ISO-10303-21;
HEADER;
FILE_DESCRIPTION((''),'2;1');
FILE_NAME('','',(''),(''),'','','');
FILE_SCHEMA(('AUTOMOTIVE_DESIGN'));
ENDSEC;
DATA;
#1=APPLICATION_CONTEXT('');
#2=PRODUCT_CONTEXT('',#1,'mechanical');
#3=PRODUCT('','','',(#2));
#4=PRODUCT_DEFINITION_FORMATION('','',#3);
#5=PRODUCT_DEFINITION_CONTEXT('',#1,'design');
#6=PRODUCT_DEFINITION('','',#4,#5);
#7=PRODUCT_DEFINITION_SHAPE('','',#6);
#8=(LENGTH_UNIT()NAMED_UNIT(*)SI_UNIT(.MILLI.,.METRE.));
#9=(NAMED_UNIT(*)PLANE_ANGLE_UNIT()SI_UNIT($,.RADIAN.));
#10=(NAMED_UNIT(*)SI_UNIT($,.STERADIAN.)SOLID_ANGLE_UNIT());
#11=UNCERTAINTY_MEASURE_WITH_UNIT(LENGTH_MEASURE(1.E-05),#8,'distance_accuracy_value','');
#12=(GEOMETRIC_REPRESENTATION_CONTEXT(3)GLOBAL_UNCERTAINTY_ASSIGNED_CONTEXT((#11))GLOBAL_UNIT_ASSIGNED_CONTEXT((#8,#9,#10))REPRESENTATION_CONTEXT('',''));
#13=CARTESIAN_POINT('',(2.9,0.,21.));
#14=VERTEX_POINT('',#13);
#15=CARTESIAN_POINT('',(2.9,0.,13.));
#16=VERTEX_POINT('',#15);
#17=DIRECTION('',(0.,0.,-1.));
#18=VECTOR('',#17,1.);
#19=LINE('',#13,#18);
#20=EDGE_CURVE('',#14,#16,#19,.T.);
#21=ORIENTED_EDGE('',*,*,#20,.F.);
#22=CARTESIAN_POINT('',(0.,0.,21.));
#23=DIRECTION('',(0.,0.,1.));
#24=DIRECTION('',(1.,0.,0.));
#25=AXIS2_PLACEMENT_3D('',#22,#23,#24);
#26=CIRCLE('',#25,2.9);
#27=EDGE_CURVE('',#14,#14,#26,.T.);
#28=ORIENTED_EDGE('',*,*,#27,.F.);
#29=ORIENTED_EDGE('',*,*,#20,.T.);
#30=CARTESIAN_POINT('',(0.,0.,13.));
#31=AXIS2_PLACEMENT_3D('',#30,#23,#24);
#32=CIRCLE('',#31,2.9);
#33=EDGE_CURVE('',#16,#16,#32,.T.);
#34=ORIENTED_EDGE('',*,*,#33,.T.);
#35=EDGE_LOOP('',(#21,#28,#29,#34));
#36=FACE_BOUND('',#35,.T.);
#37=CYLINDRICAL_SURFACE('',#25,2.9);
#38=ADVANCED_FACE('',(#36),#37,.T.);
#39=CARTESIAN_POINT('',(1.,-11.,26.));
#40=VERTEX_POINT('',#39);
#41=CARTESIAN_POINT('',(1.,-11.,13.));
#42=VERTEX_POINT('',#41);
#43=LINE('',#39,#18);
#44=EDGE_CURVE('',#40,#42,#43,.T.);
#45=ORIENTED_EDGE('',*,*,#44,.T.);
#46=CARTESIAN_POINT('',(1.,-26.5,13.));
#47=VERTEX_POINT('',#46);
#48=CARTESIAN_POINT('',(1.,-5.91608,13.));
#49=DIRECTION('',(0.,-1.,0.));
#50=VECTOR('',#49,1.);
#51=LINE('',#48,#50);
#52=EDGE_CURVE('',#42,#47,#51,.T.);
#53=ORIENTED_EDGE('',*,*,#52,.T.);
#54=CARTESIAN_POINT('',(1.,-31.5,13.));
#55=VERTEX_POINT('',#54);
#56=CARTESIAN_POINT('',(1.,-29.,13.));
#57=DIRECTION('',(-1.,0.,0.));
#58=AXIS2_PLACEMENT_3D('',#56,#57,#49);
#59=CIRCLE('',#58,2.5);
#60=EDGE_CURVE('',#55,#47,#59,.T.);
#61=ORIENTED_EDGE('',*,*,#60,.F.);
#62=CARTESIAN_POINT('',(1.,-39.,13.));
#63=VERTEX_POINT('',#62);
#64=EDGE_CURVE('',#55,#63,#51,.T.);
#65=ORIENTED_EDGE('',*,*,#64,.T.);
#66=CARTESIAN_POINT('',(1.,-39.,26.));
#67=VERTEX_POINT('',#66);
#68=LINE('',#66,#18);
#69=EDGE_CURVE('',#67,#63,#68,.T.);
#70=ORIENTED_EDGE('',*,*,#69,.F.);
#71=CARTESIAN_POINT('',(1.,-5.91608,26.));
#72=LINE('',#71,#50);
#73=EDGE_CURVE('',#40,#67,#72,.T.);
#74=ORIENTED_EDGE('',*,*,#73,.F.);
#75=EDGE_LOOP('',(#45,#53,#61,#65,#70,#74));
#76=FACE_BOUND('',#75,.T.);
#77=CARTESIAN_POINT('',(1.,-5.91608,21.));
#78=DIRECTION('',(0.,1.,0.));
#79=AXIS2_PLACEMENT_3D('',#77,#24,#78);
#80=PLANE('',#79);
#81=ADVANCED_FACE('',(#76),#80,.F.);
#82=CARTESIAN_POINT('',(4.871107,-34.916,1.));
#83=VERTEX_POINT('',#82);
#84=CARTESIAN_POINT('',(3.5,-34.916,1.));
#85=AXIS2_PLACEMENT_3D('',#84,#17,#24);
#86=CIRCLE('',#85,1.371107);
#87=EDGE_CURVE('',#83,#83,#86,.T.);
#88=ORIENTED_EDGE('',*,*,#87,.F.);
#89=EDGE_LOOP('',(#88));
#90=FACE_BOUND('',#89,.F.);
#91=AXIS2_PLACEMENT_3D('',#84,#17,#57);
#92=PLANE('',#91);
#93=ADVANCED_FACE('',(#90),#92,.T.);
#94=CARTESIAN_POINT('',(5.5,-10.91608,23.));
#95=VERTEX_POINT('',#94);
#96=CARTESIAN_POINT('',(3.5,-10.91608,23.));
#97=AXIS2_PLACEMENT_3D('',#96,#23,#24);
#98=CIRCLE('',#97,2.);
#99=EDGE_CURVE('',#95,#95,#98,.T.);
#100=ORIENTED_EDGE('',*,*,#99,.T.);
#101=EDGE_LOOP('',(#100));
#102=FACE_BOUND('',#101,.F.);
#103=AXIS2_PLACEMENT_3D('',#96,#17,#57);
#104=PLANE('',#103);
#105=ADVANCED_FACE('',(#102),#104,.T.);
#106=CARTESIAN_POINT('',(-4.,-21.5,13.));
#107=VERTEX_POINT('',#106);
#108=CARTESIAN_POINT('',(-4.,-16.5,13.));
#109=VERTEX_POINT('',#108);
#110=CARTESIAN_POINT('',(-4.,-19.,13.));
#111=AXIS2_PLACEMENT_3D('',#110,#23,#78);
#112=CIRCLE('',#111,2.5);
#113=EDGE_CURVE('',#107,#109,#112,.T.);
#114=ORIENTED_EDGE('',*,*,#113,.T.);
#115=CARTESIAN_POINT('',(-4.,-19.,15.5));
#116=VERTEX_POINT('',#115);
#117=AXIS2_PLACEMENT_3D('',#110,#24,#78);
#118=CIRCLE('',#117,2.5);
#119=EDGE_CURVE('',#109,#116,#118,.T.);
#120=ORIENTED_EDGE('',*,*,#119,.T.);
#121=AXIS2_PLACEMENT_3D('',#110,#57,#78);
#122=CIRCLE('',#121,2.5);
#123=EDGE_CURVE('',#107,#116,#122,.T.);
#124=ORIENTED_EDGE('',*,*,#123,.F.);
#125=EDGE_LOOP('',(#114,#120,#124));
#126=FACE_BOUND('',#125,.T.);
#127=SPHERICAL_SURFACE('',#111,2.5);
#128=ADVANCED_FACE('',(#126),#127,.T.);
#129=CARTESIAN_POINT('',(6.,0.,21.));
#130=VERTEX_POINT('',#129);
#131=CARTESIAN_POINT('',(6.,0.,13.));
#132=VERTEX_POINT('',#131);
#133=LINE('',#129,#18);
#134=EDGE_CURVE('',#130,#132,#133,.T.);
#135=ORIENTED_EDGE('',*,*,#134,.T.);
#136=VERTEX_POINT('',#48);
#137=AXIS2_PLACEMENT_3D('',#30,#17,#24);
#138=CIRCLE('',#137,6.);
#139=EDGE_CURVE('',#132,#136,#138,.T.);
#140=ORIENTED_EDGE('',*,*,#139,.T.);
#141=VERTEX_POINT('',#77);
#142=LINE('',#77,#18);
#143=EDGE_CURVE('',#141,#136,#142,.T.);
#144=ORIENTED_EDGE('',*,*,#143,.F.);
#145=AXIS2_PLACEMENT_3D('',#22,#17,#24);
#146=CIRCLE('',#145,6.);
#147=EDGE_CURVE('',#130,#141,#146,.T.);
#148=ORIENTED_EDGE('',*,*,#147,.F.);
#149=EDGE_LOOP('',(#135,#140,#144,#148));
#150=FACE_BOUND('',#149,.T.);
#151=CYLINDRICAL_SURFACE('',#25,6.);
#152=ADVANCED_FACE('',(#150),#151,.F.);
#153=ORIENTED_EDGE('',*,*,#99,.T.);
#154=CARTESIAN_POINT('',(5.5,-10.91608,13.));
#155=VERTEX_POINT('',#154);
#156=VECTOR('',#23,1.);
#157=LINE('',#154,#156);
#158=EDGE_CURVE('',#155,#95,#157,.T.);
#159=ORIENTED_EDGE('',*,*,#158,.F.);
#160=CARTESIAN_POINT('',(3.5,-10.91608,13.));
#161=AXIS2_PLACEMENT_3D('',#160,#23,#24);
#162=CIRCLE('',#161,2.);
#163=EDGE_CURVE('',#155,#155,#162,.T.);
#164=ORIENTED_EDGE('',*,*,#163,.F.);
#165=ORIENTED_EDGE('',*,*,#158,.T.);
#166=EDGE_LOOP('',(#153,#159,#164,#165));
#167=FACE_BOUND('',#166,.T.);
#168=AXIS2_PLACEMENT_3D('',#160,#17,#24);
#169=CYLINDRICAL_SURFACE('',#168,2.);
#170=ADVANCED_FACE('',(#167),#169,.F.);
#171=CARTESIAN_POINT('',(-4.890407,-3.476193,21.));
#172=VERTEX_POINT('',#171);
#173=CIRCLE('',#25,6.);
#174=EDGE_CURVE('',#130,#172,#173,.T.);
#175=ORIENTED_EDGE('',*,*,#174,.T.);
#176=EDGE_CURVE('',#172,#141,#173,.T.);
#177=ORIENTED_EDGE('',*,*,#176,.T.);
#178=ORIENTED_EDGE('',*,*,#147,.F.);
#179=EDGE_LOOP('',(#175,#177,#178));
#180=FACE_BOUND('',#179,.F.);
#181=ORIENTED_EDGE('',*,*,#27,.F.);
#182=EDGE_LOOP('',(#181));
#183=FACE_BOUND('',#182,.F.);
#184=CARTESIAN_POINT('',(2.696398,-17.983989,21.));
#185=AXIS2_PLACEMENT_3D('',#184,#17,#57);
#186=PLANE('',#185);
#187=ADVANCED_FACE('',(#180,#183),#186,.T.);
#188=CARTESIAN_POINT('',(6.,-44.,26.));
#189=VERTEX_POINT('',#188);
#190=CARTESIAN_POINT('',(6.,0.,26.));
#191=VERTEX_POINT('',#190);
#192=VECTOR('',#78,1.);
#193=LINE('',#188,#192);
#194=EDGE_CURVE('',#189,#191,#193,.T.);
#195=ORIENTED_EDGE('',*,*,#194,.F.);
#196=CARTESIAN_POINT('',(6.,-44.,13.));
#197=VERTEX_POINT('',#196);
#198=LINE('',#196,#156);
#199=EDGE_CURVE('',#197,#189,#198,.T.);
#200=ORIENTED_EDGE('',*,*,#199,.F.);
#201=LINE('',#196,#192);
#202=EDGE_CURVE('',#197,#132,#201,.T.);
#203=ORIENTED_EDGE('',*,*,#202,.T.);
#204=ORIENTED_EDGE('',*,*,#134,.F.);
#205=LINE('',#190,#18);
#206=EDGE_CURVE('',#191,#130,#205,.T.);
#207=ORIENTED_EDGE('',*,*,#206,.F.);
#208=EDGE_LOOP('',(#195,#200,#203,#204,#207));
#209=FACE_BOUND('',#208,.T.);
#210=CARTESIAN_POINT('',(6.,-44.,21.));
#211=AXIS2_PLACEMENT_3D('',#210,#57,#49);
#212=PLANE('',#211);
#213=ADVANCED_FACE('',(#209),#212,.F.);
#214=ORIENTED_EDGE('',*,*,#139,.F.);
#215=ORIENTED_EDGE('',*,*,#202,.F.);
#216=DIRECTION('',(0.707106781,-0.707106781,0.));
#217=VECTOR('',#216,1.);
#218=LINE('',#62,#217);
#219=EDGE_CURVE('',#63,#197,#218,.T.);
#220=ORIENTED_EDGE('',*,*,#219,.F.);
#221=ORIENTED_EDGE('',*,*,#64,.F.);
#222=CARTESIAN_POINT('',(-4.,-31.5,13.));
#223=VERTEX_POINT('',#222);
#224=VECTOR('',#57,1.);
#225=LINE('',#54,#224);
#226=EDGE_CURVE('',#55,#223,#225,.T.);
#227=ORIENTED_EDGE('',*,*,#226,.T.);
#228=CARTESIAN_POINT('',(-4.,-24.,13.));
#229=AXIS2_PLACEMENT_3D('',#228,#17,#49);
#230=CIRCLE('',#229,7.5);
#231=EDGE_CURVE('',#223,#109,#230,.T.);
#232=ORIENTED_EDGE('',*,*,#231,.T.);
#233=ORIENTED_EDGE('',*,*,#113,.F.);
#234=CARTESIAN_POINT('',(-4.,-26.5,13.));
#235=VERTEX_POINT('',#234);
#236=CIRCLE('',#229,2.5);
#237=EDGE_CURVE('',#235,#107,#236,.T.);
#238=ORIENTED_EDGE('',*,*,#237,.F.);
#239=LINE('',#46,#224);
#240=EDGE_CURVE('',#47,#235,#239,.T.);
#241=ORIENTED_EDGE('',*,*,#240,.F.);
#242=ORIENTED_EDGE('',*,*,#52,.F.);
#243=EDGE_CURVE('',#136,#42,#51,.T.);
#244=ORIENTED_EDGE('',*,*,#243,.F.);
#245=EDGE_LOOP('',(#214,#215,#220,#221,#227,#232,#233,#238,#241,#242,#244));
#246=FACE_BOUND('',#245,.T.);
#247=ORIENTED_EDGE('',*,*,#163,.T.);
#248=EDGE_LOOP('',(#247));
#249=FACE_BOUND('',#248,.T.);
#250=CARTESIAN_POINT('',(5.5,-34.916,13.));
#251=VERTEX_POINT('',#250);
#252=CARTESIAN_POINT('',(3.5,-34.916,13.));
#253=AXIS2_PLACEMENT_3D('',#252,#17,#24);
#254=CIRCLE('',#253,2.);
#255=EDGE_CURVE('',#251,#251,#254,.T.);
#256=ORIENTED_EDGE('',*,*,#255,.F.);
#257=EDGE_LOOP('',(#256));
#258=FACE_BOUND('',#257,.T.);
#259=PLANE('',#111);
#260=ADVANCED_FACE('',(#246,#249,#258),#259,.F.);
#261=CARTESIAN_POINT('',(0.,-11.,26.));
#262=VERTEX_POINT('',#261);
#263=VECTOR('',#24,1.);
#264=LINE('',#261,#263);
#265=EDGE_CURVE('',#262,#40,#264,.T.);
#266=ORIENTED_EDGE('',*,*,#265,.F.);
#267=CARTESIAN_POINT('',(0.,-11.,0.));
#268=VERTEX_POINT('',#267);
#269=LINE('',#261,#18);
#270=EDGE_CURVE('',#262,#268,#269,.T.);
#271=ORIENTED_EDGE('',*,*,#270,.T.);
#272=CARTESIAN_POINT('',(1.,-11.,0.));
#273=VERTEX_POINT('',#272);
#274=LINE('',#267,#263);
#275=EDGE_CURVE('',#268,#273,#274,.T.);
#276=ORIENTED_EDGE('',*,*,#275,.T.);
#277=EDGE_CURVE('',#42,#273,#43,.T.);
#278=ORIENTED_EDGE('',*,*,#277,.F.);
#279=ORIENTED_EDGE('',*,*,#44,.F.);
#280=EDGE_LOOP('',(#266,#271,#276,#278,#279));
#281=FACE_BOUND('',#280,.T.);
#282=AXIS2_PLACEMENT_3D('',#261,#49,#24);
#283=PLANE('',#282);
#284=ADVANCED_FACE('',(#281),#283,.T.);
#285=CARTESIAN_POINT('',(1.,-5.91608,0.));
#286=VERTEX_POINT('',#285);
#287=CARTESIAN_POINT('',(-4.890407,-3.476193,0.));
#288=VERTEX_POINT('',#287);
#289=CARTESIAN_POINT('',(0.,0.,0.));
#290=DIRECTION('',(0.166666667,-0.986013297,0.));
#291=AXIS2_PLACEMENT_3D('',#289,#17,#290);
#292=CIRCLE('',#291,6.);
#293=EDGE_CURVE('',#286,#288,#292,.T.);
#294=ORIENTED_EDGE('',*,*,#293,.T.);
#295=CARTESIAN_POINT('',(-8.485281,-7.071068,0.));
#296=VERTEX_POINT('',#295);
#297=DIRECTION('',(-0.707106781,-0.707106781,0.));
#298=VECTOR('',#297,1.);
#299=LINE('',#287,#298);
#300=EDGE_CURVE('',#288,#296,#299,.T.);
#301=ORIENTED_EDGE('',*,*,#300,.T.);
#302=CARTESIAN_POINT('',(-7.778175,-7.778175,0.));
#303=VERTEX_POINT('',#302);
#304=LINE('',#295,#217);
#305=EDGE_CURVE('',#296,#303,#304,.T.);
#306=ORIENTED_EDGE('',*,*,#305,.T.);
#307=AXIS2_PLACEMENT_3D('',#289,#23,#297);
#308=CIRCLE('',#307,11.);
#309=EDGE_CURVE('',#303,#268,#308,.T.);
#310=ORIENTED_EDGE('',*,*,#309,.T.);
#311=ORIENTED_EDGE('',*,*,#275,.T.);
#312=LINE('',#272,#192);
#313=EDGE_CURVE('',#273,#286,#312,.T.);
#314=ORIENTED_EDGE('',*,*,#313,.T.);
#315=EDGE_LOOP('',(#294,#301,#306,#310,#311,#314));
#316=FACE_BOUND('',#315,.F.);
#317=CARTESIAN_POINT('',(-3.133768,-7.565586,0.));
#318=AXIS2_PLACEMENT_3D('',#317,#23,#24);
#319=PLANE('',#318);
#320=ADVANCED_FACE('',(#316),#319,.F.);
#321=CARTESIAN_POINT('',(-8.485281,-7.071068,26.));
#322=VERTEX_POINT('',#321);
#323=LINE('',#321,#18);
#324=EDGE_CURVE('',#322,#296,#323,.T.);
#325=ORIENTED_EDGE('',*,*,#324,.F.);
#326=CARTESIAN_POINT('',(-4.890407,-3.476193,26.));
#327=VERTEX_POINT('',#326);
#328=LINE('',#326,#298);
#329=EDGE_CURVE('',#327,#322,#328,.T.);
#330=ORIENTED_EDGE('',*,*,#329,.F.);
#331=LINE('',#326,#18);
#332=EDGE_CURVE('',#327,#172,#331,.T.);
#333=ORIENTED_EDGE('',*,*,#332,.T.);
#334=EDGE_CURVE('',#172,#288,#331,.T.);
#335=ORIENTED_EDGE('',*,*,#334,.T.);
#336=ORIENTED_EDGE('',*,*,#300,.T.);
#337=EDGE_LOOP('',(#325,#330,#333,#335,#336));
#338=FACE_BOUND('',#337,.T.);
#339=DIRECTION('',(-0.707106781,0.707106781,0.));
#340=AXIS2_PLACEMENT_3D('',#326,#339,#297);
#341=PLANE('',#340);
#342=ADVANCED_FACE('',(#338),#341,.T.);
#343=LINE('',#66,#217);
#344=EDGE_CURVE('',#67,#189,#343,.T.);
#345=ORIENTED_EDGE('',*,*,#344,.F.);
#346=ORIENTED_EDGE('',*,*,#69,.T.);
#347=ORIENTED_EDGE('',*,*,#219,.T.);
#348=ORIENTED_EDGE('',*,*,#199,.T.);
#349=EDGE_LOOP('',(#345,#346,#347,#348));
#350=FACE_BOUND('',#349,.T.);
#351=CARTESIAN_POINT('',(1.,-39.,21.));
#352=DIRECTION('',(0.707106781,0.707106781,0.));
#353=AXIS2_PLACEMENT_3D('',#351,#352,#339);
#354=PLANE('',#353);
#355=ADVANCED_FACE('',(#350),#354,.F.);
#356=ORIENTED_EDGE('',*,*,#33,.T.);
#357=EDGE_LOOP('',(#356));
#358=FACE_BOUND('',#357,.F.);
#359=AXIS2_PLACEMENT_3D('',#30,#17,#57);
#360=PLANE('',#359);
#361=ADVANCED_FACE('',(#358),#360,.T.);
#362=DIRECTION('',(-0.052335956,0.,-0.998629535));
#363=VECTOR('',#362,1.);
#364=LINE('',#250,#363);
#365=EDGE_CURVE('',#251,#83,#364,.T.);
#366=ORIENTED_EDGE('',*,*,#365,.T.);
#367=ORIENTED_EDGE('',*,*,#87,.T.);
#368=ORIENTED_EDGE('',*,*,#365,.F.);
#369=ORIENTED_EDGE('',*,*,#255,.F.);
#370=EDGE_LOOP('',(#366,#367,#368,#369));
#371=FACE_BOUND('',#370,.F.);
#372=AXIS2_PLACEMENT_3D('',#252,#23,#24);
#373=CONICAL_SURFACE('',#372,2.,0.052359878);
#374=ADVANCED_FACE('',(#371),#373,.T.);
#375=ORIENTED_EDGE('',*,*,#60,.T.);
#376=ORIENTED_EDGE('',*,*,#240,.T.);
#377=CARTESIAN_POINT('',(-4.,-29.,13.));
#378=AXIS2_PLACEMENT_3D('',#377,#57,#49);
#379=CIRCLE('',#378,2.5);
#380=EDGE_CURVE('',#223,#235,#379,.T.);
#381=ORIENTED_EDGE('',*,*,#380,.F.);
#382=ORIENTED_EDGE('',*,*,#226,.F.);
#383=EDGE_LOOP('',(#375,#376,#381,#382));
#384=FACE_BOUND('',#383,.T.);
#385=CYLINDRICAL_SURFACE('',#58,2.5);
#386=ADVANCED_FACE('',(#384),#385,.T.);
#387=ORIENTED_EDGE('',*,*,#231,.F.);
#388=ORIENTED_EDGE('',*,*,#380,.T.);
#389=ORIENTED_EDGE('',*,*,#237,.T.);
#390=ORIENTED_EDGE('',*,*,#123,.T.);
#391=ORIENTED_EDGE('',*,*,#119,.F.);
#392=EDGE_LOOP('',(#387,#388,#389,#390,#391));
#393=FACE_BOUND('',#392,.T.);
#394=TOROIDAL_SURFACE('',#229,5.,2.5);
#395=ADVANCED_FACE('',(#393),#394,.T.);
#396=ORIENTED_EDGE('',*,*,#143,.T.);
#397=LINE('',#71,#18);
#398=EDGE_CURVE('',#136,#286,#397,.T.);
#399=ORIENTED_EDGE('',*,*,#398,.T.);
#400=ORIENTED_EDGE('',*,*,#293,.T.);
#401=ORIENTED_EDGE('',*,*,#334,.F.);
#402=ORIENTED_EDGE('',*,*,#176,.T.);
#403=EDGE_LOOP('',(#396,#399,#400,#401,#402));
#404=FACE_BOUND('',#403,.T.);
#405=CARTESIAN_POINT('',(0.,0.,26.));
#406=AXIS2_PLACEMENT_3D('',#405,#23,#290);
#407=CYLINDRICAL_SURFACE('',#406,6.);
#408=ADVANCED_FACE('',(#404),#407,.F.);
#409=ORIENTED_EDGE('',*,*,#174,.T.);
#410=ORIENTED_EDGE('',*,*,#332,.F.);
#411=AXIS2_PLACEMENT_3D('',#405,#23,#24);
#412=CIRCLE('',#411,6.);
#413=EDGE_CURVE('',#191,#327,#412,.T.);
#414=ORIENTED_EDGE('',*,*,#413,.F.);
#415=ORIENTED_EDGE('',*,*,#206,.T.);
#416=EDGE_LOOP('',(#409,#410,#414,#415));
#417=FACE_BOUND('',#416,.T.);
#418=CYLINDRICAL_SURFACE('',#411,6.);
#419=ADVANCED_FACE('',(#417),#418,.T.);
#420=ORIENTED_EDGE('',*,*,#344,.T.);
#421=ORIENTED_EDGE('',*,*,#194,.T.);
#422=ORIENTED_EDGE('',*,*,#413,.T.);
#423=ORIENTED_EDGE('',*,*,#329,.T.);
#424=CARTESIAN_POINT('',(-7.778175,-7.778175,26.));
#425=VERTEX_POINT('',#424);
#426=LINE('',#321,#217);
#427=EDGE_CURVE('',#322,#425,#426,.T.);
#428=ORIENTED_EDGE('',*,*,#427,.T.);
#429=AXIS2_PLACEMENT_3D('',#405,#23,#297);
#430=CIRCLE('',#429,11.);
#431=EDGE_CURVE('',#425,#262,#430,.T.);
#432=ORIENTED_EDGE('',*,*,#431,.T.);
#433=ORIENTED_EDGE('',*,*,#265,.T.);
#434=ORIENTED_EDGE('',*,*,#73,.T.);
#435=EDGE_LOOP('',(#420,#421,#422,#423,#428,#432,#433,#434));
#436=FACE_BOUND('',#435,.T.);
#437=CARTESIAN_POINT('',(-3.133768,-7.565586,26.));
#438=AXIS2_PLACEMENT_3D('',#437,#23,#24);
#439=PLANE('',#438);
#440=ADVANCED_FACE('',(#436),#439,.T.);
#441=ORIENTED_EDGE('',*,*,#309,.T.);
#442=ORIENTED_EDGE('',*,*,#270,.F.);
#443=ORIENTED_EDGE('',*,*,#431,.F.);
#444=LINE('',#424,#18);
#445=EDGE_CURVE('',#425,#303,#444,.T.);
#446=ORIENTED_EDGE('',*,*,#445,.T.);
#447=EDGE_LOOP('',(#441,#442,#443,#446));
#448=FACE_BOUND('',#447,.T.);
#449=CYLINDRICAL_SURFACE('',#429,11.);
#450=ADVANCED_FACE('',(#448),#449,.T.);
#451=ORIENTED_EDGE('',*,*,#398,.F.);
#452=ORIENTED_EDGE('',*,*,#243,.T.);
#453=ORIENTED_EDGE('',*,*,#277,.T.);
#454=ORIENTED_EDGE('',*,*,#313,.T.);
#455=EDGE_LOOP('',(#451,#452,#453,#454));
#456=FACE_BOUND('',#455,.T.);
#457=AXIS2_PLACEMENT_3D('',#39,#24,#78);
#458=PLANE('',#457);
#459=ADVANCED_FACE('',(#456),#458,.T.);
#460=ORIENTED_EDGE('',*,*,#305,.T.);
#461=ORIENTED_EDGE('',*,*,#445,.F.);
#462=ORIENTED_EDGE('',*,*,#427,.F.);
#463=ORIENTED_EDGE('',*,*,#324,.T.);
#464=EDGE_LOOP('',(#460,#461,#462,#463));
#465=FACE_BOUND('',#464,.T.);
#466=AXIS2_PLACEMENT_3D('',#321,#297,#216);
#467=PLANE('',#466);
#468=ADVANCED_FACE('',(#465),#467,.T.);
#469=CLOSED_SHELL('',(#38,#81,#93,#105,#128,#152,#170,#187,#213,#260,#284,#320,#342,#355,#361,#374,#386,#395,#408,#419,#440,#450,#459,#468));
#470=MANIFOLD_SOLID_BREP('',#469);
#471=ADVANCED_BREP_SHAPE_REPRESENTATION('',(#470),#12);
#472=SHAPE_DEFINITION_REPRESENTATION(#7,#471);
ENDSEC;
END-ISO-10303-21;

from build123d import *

# Parameters (mm, degrees)
F1_DEPTH  = 5
F3_DEPTH  = 8
F4_R      = 2
F5_DEPTH  = 10
F6_R      = 2
F7_DEPTH  = 12
F7_TAPER  = 3
F8_R      = 2.9
F9_DEPTH  = 8
F18_DEPTH = 26


with BuildPart() as f1:
    # F0 (on Top) → F1 (new body)
    with BuildSketch(Plane.XY):
        with BuildLine():
            Line((6, -44), (6, 0))
            ThreePointArc((6, 0), (-4.582575695, 3.8729833462), (1, -5.9160797831))
            Line((1, -5.9160797831), (1, -39))
            Line((1, -39), (6, -44))
        make_face()
    extrude(amount=F1_DEPTH)

    # F2 (on face) → F3 (join)
    with BuildSketch(Plane.XY.offset(5)):
        with BuildLine():
            ThreePointArc((6, 0), (4.582575695, -3.8729833462), (1, -5.9160797831))
            Line((1, -5.9160797831), (1, -39))
            Line((1, -39), (6, -44))
            Line((6, -44), (6, 0))
        make_face()
    extrude(amount=F3_DEPTH)

    # F4 (on face) → F5 (cut)
    with BuildSketch(Plane.XY.offset(13)):
        with Locations((3.5, -10.9160797831)):
            Circle(F4_R)
    extrude(amount=-F5_DEPTH, mode=Mode.SUBTRACT)

    # F6 (on face) → F7 (join)
    with BuildSketch(Plane.XY.offset(13)):
        with Locations((3.5, -34.916)):
            Circle(F6_R)
    extrude(amount=F7_DEPTH, taper=F7_TAPER)

    # F8 (on face) → F9 (join, through all)
    with BuildSketch(Plane.XY.offset(5)):
        Circle(F8_R)
    extrude(amount=F9_DEPTH)


with BuildPart() as f10_1:
    # F10: instance of F1
    add(f1.part.mirror(Plane(origin=(3.6215352024, -22.9951774059, 13), x_dir=(1, 0, 0), z_dir=(0, 0, 1))))

    # F14: sweep along a path in F12
    with BuildLine(Plane(origin=(0, 0, 13), x_dir=(1, 0, 0), z_dir=(0, 0, -1))) as f14_path:
        Line((1, 29), (-4, 29))
        ThreePointArc((-4, 29), (-9, 24), (-4, 19))
    # F13 (on face) → F14 (sweep)
    with BuildSketch(Plane(origin=(1, 0, 0), x_dir=(0, -1, 0), z_dir=(-1, 0, 0))):
        with BuildLine():
            ThreePointArc((31.5, 13), (29, 15.5), (26.5, 13))
            Line((26.5, 13), (31.5, 13))
        make_face()
    sweep(path=f14_path.line)

    # F15 (on face) → F16 (revolve)
    with BuildSketch(Plane.YZ.offset(-4)):
        with BuildLine():
            Line((-19, 13), (-16.5, 13))
            ThreePointArc((-16.5, 13), (-17.232233047, 14.767766953), (-19, 15.5))
            Line((-19, 15.5), (-19, 13))
        make_face()
    revolve(axis=Axis((-4, -19, 14.25), (0, 0, 1)))

    # F17 (on face) → F18 (join)
    with BuildSketch(Plane.XY.offset(26)):
        with BuildLine():
            Line((-8.4852813742, -7.0710678119), (-7.7781745931, -7.7781745931))
            ThreePointArc((-7.7781745931, -7.7781745931), (-4.209517756, -10.1626748576), (0, -11))
            Line((0, -11), (1, -11))
            Line((1, -11), (1, -5.9160797831))
            ThreePointArc((1, -5.9160797831), (-2.2961005942, -5.5432771951), (-4.8904069139, -3.4761933515))
            Line((-4.8904069139, -3.4761933515), (-8.4852813742, -7.0710678119))
        make_face()
    extrude(amount=-F18_DEPTH)


solid = f10_1.part
